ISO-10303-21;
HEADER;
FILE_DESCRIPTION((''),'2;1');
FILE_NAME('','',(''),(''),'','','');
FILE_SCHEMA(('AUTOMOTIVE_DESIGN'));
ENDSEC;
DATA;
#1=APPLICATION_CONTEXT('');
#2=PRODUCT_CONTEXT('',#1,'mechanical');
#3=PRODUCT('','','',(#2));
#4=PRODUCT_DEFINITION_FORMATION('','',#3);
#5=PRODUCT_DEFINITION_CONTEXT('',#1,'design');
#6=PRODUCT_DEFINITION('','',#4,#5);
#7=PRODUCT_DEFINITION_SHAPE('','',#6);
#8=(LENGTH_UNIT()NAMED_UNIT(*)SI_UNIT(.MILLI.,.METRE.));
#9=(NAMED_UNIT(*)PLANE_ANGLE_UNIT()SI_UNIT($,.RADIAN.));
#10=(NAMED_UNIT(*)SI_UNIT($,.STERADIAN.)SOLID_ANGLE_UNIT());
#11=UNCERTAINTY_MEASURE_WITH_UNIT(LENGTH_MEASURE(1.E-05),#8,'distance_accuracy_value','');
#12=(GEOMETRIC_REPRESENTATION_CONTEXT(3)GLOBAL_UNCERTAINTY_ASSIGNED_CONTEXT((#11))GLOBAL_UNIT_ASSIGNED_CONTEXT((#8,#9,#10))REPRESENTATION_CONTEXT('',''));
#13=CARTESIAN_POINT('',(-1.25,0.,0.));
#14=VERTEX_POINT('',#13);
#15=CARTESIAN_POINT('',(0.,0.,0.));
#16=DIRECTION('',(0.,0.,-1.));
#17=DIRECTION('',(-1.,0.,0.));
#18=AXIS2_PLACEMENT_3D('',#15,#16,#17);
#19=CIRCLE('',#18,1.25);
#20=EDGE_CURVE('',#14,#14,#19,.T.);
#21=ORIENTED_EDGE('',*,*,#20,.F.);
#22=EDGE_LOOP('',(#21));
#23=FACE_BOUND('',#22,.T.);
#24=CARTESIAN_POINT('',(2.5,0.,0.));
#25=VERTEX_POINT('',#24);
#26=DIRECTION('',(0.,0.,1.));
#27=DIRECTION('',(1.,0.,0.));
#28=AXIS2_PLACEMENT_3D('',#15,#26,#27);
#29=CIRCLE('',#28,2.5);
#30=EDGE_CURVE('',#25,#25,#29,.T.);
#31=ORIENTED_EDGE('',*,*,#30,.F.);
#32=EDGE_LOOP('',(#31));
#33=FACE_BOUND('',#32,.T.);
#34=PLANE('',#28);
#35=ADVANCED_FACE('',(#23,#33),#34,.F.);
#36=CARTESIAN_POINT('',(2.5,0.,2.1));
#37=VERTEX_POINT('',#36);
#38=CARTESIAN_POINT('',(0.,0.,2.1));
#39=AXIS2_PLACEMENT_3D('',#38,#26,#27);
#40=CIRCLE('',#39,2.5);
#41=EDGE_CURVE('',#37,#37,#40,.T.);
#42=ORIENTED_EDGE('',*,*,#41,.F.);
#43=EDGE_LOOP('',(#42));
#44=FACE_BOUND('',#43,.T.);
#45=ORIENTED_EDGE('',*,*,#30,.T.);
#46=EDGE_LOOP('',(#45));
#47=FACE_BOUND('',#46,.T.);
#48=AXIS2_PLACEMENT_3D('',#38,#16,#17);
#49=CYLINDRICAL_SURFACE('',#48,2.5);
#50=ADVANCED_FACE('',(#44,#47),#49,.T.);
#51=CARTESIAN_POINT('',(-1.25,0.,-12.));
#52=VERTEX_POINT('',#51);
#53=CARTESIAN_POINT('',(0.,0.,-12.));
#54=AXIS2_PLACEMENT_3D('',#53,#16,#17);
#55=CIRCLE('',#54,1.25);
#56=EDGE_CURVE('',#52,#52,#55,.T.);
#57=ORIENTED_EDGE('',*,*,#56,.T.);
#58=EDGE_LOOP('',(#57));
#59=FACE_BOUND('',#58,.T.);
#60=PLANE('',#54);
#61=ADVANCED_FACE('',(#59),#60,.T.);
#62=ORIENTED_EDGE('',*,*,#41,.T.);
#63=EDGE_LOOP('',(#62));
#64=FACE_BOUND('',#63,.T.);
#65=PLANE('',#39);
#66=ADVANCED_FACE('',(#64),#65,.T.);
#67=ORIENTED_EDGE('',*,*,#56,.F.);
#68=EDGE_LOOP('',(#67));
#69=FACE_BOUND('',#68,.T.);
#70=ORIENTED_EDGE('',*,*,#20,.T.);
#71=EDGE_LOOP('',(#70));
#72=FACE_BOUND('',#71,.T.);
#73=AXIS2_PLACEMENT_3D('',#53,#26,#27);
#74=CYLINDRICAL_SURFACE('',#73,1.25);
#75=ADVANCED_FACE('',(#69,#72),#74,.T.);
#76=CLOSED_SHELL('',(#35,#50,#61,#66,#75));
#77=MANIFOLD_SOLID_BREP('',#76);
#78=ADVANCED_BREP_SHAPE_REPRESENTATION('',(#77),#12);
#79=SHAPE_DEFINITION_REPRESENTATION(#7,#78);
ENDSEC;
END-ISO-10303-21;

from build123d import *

# Parameters (mm, degrees)
ESQUISSE1_R        = 2.5
BOSS_EXTRU_1_DEPTH = 2.1
ESQUISSE2_R        = 1.25
BOSS_EXTRU_2_DEPTH = 12


with BuildPart() as part:
    # Esquisse1 → Boss.-Extru.1 (new body)
    with BuildSketch(Plane.XY):
        Circle(ESQUISSE1_R)
    extrude(amount=BOSS_EXTRU_1_DEPTH)

    # Esquisse2 → Boss.-Extru.2 (add)
    with BuildSketch(Plane(origin=(0, 0, 0), x_dir=(-1, 0, 0), z_dir=(0, 0, -1))):
        Circle(ESQUISSE2_R)
    extrude(amount=BOSS_EXTRU_2_DEPTH)


solid = part.part
